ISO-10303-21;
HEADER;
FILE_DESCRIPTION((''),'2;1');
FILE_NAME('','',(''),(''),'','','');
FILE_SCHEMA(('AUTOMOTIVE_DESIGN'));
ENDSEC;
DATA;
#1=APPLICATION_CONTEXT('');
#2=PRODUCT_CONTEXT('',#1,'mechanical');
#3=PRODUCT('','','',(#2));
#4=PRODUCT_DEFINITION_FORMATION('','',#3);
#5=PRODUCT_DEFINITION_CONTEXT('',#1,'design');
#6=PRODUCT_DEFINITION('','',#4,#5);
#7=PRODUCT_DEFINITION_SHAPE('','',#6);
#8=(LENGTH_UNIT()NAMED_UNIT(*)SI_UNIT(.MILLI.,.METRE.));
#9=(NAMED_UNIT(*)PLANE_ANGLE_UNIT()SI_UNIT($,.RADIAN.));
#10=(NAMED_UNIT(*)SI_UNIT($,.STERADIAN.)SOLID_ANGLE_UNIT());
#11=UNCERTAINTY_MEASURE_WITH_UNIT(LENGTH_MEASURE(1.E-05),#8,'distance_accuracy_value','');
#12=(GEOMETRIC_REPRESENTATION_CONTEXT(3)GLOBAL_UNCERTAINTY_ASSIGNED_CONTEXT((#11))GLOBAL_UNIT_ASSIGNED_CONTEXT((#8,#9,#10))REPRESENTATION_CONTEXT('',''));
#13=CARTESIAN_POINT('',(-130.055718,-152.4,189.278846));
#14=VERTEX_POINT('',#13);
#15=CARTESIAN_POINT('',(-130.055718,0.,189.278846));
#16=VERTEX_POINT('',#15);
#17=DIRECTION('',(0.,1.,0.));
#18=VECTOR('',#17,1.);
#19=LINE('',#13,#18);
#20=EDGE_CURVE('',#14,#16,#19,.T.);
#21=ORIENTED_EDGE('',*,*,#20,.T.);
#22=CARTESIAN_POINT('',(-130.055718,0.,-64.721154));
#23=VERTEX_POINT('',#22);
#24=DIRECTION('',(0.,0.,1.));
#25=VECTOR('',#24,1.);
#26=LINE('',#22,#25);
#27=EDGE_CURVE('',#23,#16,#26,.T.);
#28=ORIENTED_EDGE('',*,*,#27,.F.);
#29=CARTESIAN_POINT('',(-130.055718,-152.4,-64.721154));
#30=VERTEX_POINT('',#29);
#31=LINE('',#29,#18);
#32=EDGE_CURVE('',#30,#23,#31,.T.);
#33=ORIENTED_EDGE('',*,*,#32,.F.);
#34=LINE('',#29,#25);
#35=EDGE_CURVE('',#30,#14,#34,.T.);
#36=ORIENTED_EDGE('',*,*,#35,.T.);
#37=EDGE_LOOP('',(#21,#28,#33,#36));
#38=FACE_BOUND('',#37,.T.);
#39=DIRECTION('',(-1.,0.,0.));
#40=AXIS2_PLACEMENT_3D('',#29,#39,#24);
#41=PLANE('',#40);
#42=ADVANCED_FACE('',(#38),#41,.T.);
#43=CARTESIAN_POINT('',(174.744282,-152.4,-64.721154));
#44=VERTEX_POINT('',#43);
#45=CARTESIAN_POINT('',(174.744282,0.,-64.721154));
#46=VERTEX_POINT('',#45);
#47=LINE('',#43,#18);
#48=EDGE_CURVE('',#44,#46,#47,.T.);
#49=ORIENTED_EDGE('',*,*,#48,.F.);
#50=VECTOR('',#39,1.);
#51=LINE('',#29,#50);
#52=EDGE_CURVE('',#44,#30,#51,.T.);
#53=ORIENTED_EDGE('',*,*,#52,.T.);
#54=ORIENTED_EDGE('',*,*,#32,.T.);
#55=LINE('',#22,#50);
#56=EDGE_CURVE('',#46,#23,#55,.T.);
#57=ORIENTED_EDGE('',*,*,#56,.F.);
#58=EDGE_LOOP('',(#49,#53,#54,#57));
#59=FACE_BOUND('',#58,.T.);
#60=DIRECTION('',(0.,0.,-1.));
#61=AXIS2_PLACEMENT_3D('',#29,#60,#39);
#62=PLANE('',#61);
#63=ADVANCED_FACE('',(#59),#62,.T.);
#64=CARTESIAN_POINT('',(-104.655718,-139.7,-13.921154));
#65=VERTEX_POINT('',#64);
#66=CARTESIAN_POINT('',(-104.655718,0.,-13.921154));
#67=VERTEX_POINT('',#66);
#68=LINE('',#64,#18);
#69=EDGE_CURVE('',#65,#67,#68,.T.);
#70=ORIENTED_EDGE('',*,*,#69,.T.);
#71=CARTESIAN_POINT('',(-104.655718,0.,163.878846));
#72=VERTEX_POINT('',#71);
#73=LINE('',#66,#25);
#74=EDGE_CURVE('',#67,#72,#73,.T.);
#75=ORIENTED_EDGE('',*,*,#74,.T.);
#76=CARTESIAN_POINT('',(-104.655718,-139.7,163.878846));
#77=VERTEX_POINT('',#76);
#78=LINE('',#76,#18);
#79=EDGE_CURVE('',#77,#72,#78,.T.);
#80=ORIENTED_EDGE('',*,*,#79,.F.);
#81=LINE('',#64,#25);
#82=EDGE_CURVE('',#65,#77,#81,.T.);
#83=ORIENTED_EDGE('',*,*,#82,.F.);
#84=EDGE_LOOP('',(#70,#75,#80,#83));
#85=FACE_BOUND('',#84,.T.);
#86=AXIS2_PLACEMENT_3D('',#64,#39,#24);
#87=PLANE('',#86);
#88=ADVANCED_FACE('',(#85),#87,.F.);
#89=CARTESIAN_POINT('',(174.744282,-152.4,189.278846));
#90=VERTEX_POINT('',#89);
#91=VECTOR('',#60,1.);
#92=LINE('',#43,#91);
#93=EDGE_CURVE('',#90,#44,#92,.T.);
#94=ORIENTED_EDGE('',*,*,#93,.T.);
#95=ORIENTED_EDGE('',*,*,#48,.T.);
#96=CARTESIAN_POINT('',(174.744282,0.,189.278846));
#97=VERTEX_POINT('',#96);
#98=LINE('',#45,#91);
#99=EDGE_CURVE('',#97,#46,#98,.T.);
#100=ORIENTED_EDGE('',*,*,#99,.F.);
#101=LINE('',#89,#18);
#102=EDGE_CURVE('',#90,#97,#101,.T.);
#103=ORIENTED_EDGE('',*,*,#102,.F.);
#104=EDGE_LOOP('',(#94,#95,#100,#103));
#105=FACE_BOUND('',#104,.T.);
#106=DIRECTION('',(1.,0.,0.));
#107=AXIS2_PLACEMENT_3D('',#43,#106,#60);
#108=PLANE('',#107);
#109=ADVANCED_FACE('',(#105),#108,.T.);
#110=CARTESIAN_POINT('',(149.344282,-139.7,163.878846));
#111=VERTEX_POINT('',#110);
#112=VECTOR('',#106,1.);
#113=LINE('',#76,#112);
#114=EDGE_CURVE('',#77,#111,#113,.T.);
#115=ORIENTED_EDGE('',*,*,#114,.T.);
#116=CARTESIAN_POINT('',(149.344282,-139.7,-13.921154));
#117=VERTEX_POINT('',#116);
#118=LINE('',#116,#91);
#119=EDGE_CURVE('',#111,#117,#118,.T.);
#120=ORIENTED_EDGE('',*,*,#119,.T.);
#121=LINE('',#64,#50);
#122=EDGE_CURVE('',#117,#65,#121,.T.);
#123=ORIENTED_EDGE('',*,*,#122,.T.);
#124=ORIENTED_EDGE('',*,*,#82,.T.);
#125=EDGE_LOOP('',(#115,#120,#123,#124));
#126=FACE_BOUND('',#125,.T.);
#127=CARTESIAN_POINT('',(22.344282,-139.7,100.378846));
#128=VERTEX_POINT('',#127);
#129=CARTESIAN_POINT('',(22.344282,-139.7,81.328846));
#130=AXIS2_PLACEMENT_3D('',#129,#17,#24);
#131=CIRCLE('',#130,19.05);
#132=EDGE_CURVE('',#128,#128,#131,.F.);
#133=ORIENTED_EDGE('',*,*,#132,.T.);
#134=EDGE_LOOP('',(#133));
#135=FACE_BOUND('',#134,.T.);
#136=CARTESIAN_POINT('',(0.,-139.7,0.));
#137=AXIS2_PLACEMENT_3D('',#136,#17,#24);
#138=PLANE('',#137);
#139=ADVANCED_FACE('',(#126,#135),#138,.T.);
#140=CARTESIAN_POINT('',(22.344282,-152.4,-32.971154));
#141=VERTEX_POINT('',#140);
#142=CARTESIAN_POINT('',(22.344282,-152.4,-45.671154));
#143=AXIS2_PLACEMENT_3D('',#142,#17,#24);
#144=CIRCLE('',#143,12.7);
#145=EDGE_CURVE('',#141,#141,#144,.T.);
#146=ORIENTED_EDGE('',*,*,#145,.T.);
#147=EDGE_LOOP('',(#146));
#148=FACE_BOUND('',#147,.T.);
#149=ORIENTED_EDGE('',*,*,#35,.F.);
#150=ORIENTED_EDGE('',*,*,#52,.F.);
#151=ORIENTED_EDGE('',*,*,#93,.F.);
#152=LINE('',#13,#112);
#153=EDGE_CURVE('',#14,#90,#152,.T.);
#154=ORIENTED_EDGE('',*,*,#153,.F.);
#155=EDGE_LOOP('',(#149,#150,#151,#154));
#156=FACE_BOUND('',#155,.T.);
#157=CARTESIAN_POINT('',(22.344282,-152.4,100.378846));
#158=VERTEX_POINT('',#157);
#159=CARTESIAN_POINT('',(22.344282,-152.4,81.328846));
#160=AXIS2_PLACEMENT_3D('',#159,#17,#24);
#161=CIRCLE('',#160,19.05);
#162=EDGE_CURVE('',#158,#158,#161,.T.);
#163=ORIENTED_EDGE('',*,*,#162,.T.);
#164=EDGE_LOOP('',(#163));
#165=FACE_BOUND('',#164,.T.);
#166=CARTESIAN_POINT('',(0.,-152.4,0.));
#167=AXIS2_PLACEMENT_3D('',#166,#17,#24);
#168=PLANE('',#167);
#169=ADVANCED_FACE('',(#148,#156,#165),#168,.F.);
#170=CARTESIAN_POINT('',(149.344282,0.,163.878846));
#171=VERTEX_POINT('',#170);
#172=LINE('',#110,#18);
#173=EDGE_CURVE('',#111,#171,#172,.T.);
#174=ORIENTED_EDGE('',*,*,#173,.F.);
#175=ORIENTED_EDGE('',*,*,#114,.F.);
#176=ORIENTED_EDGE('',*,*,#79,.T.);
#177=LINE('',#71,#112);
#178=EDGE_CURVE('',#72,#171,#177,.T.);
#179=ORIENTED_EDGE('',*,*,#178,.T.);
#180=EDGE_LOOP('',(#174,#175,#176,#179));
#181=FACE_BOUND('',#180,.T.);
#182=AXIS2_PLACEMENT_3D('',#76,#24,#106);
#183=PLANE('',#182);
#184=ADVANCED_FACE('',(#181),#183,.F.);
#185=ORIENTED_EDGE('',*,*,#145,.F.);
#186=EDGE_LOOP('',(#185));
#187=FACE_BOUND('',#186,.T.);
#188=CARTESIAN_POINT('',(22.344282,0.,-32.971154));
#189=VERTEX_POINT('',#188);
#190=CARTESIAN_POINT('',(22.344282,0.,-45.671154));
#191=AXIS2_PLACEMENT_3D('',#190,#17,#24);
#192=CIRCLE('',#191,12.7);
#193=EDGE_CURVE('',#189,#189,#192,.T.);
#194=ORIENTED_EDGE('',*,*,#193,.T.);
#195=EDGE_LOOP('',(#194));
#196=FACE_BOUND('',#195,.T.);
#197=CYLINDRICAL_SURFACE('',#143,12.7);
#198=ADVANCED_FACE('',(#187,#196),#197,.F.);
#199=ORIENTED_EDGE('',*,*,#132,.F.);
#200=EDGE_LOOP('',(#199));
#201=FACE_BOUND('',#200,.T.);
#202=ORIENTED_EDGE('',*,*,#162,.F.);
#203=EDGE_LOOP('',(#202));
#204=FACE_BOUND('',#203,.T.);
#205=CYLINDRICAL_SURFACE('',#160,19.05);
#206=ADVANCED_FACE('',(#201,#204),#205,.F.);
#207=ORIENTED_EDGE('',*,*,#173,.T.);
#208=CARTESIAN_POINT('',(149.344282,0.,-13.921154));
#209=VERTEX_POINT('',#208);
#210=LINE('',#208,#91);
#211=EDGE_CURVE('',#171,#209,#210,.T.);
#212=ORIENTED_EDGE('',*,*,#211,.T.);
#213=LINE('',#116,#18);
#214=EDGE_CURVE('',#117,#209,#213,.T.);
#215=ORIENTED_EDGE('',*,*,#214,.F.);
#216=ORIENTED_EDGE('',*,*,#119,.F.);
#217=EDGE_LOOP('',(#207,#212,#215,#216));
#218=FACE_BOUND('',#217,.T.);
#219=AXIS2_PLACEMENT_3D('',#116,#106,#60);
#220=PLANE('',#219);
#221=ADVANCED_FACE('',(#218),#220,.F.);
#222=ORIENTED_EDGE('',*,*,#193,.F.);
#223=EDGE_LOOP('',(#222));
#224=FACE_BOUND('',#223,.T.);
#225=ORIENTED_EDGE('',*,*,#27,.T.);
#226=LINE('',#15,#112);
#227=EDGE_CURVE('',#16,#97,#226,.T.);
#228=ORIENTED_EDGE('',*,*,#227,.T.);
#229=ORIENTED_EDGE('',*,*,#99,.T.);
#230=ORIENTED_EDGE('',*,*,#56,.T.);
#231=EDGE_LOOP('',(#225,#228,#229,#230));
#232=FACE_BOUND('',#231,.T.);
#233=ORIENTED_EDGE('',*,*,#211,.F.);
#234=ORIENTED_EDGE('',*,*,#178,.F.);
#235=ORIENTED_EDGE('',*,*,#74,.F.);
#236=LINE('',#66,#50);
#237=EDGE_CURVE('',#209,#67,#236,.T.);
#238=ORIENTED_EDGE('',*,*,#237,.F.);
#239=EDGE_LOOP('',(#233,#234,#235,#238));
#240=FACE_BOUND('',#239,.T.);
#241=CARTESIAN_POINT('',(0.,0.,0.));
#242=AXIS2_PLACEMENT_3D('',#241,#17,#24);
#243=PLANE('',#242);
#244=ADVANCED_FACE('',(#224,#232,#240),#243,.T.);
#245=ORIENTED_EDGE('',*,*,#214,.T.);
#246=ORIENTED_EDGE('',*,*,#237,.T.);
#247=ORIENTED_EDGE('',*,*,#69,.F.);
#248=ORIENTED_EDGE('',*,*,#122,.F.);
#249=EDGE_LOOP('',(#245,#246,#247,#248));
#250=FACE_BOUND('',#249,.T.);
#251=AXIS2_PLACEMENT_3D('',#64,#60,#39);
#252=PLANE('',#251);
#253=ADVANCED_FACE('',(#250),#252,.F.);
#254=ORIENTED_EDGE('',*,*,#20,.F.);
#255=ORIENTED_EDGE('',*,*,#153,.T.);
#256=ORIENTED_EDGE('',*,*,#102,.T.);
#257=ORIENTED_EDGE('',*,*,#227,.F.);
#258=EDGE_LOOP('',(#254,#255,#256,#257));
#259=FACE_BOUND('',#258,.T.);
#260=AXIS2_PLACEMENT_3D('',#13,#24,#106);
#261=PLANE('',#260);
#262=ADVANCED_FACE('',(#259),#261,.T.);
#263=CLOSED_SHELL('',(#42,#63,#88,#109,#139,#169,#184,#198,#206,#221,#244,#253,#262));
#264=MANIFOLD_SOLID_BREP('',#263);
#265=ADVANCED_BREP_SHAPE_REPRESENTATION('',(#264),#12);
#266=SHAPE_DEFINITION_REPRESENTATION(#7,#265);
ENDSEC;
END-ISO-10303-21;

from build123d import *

# Parameters (mm, degrees)
SKETCH1_W           = 304.8
SKETCH1_H           = 254
SKETCH1_R           = 19.05
SKETCH1_R_2         = 12.7
BOSS_EXTRUDE1_DEPTH = 152.4
SKETCH2_W           = 254
SKETCH2_H           = 177.8
CUT_EXTRUDE1_DEPTH  = 139.7


with BuildPart() as part:
    # Sketch1 → Boss-Extrude1 (new body)
    with BuildSketch(Plane(origin=(0, 0, 0), x_dir=(1, 0, 0), z_dir=(0, 1, 0))):
        with Locations((22.344281622, -62.278846154)):
            Rectangle(SKETCH1_W, SKETCH1_H)
        with Locations((22.344281622, -81.328846154)):
            Circle(SKETCH1_R, mode=Mode.SUBTRACT)
        with Locations((22.344281622, 45.671153846)):
            Circle(SKETCH1_R_2, mode=Mode.SUBTRACT)
    extrude(amount=-BOSS_EXTRUDE1_DEPTH)

    # Sketch2 → Cut-Extrude1 (cut)
    with BuildSketch(Plane(origin=(0, 0, 0), x_dir=(1, 0, 0), z_dir=(0, 1, 0))):
        with Locations((22.344281622, -74.978846154)):
            Rectangle(SKETCH2_W, SKETCH2_H)
    extrude(amount=-CUT_EXTRUDE1_DEPTH, mode=Mode.SUBTRACT)


solid = part.part
